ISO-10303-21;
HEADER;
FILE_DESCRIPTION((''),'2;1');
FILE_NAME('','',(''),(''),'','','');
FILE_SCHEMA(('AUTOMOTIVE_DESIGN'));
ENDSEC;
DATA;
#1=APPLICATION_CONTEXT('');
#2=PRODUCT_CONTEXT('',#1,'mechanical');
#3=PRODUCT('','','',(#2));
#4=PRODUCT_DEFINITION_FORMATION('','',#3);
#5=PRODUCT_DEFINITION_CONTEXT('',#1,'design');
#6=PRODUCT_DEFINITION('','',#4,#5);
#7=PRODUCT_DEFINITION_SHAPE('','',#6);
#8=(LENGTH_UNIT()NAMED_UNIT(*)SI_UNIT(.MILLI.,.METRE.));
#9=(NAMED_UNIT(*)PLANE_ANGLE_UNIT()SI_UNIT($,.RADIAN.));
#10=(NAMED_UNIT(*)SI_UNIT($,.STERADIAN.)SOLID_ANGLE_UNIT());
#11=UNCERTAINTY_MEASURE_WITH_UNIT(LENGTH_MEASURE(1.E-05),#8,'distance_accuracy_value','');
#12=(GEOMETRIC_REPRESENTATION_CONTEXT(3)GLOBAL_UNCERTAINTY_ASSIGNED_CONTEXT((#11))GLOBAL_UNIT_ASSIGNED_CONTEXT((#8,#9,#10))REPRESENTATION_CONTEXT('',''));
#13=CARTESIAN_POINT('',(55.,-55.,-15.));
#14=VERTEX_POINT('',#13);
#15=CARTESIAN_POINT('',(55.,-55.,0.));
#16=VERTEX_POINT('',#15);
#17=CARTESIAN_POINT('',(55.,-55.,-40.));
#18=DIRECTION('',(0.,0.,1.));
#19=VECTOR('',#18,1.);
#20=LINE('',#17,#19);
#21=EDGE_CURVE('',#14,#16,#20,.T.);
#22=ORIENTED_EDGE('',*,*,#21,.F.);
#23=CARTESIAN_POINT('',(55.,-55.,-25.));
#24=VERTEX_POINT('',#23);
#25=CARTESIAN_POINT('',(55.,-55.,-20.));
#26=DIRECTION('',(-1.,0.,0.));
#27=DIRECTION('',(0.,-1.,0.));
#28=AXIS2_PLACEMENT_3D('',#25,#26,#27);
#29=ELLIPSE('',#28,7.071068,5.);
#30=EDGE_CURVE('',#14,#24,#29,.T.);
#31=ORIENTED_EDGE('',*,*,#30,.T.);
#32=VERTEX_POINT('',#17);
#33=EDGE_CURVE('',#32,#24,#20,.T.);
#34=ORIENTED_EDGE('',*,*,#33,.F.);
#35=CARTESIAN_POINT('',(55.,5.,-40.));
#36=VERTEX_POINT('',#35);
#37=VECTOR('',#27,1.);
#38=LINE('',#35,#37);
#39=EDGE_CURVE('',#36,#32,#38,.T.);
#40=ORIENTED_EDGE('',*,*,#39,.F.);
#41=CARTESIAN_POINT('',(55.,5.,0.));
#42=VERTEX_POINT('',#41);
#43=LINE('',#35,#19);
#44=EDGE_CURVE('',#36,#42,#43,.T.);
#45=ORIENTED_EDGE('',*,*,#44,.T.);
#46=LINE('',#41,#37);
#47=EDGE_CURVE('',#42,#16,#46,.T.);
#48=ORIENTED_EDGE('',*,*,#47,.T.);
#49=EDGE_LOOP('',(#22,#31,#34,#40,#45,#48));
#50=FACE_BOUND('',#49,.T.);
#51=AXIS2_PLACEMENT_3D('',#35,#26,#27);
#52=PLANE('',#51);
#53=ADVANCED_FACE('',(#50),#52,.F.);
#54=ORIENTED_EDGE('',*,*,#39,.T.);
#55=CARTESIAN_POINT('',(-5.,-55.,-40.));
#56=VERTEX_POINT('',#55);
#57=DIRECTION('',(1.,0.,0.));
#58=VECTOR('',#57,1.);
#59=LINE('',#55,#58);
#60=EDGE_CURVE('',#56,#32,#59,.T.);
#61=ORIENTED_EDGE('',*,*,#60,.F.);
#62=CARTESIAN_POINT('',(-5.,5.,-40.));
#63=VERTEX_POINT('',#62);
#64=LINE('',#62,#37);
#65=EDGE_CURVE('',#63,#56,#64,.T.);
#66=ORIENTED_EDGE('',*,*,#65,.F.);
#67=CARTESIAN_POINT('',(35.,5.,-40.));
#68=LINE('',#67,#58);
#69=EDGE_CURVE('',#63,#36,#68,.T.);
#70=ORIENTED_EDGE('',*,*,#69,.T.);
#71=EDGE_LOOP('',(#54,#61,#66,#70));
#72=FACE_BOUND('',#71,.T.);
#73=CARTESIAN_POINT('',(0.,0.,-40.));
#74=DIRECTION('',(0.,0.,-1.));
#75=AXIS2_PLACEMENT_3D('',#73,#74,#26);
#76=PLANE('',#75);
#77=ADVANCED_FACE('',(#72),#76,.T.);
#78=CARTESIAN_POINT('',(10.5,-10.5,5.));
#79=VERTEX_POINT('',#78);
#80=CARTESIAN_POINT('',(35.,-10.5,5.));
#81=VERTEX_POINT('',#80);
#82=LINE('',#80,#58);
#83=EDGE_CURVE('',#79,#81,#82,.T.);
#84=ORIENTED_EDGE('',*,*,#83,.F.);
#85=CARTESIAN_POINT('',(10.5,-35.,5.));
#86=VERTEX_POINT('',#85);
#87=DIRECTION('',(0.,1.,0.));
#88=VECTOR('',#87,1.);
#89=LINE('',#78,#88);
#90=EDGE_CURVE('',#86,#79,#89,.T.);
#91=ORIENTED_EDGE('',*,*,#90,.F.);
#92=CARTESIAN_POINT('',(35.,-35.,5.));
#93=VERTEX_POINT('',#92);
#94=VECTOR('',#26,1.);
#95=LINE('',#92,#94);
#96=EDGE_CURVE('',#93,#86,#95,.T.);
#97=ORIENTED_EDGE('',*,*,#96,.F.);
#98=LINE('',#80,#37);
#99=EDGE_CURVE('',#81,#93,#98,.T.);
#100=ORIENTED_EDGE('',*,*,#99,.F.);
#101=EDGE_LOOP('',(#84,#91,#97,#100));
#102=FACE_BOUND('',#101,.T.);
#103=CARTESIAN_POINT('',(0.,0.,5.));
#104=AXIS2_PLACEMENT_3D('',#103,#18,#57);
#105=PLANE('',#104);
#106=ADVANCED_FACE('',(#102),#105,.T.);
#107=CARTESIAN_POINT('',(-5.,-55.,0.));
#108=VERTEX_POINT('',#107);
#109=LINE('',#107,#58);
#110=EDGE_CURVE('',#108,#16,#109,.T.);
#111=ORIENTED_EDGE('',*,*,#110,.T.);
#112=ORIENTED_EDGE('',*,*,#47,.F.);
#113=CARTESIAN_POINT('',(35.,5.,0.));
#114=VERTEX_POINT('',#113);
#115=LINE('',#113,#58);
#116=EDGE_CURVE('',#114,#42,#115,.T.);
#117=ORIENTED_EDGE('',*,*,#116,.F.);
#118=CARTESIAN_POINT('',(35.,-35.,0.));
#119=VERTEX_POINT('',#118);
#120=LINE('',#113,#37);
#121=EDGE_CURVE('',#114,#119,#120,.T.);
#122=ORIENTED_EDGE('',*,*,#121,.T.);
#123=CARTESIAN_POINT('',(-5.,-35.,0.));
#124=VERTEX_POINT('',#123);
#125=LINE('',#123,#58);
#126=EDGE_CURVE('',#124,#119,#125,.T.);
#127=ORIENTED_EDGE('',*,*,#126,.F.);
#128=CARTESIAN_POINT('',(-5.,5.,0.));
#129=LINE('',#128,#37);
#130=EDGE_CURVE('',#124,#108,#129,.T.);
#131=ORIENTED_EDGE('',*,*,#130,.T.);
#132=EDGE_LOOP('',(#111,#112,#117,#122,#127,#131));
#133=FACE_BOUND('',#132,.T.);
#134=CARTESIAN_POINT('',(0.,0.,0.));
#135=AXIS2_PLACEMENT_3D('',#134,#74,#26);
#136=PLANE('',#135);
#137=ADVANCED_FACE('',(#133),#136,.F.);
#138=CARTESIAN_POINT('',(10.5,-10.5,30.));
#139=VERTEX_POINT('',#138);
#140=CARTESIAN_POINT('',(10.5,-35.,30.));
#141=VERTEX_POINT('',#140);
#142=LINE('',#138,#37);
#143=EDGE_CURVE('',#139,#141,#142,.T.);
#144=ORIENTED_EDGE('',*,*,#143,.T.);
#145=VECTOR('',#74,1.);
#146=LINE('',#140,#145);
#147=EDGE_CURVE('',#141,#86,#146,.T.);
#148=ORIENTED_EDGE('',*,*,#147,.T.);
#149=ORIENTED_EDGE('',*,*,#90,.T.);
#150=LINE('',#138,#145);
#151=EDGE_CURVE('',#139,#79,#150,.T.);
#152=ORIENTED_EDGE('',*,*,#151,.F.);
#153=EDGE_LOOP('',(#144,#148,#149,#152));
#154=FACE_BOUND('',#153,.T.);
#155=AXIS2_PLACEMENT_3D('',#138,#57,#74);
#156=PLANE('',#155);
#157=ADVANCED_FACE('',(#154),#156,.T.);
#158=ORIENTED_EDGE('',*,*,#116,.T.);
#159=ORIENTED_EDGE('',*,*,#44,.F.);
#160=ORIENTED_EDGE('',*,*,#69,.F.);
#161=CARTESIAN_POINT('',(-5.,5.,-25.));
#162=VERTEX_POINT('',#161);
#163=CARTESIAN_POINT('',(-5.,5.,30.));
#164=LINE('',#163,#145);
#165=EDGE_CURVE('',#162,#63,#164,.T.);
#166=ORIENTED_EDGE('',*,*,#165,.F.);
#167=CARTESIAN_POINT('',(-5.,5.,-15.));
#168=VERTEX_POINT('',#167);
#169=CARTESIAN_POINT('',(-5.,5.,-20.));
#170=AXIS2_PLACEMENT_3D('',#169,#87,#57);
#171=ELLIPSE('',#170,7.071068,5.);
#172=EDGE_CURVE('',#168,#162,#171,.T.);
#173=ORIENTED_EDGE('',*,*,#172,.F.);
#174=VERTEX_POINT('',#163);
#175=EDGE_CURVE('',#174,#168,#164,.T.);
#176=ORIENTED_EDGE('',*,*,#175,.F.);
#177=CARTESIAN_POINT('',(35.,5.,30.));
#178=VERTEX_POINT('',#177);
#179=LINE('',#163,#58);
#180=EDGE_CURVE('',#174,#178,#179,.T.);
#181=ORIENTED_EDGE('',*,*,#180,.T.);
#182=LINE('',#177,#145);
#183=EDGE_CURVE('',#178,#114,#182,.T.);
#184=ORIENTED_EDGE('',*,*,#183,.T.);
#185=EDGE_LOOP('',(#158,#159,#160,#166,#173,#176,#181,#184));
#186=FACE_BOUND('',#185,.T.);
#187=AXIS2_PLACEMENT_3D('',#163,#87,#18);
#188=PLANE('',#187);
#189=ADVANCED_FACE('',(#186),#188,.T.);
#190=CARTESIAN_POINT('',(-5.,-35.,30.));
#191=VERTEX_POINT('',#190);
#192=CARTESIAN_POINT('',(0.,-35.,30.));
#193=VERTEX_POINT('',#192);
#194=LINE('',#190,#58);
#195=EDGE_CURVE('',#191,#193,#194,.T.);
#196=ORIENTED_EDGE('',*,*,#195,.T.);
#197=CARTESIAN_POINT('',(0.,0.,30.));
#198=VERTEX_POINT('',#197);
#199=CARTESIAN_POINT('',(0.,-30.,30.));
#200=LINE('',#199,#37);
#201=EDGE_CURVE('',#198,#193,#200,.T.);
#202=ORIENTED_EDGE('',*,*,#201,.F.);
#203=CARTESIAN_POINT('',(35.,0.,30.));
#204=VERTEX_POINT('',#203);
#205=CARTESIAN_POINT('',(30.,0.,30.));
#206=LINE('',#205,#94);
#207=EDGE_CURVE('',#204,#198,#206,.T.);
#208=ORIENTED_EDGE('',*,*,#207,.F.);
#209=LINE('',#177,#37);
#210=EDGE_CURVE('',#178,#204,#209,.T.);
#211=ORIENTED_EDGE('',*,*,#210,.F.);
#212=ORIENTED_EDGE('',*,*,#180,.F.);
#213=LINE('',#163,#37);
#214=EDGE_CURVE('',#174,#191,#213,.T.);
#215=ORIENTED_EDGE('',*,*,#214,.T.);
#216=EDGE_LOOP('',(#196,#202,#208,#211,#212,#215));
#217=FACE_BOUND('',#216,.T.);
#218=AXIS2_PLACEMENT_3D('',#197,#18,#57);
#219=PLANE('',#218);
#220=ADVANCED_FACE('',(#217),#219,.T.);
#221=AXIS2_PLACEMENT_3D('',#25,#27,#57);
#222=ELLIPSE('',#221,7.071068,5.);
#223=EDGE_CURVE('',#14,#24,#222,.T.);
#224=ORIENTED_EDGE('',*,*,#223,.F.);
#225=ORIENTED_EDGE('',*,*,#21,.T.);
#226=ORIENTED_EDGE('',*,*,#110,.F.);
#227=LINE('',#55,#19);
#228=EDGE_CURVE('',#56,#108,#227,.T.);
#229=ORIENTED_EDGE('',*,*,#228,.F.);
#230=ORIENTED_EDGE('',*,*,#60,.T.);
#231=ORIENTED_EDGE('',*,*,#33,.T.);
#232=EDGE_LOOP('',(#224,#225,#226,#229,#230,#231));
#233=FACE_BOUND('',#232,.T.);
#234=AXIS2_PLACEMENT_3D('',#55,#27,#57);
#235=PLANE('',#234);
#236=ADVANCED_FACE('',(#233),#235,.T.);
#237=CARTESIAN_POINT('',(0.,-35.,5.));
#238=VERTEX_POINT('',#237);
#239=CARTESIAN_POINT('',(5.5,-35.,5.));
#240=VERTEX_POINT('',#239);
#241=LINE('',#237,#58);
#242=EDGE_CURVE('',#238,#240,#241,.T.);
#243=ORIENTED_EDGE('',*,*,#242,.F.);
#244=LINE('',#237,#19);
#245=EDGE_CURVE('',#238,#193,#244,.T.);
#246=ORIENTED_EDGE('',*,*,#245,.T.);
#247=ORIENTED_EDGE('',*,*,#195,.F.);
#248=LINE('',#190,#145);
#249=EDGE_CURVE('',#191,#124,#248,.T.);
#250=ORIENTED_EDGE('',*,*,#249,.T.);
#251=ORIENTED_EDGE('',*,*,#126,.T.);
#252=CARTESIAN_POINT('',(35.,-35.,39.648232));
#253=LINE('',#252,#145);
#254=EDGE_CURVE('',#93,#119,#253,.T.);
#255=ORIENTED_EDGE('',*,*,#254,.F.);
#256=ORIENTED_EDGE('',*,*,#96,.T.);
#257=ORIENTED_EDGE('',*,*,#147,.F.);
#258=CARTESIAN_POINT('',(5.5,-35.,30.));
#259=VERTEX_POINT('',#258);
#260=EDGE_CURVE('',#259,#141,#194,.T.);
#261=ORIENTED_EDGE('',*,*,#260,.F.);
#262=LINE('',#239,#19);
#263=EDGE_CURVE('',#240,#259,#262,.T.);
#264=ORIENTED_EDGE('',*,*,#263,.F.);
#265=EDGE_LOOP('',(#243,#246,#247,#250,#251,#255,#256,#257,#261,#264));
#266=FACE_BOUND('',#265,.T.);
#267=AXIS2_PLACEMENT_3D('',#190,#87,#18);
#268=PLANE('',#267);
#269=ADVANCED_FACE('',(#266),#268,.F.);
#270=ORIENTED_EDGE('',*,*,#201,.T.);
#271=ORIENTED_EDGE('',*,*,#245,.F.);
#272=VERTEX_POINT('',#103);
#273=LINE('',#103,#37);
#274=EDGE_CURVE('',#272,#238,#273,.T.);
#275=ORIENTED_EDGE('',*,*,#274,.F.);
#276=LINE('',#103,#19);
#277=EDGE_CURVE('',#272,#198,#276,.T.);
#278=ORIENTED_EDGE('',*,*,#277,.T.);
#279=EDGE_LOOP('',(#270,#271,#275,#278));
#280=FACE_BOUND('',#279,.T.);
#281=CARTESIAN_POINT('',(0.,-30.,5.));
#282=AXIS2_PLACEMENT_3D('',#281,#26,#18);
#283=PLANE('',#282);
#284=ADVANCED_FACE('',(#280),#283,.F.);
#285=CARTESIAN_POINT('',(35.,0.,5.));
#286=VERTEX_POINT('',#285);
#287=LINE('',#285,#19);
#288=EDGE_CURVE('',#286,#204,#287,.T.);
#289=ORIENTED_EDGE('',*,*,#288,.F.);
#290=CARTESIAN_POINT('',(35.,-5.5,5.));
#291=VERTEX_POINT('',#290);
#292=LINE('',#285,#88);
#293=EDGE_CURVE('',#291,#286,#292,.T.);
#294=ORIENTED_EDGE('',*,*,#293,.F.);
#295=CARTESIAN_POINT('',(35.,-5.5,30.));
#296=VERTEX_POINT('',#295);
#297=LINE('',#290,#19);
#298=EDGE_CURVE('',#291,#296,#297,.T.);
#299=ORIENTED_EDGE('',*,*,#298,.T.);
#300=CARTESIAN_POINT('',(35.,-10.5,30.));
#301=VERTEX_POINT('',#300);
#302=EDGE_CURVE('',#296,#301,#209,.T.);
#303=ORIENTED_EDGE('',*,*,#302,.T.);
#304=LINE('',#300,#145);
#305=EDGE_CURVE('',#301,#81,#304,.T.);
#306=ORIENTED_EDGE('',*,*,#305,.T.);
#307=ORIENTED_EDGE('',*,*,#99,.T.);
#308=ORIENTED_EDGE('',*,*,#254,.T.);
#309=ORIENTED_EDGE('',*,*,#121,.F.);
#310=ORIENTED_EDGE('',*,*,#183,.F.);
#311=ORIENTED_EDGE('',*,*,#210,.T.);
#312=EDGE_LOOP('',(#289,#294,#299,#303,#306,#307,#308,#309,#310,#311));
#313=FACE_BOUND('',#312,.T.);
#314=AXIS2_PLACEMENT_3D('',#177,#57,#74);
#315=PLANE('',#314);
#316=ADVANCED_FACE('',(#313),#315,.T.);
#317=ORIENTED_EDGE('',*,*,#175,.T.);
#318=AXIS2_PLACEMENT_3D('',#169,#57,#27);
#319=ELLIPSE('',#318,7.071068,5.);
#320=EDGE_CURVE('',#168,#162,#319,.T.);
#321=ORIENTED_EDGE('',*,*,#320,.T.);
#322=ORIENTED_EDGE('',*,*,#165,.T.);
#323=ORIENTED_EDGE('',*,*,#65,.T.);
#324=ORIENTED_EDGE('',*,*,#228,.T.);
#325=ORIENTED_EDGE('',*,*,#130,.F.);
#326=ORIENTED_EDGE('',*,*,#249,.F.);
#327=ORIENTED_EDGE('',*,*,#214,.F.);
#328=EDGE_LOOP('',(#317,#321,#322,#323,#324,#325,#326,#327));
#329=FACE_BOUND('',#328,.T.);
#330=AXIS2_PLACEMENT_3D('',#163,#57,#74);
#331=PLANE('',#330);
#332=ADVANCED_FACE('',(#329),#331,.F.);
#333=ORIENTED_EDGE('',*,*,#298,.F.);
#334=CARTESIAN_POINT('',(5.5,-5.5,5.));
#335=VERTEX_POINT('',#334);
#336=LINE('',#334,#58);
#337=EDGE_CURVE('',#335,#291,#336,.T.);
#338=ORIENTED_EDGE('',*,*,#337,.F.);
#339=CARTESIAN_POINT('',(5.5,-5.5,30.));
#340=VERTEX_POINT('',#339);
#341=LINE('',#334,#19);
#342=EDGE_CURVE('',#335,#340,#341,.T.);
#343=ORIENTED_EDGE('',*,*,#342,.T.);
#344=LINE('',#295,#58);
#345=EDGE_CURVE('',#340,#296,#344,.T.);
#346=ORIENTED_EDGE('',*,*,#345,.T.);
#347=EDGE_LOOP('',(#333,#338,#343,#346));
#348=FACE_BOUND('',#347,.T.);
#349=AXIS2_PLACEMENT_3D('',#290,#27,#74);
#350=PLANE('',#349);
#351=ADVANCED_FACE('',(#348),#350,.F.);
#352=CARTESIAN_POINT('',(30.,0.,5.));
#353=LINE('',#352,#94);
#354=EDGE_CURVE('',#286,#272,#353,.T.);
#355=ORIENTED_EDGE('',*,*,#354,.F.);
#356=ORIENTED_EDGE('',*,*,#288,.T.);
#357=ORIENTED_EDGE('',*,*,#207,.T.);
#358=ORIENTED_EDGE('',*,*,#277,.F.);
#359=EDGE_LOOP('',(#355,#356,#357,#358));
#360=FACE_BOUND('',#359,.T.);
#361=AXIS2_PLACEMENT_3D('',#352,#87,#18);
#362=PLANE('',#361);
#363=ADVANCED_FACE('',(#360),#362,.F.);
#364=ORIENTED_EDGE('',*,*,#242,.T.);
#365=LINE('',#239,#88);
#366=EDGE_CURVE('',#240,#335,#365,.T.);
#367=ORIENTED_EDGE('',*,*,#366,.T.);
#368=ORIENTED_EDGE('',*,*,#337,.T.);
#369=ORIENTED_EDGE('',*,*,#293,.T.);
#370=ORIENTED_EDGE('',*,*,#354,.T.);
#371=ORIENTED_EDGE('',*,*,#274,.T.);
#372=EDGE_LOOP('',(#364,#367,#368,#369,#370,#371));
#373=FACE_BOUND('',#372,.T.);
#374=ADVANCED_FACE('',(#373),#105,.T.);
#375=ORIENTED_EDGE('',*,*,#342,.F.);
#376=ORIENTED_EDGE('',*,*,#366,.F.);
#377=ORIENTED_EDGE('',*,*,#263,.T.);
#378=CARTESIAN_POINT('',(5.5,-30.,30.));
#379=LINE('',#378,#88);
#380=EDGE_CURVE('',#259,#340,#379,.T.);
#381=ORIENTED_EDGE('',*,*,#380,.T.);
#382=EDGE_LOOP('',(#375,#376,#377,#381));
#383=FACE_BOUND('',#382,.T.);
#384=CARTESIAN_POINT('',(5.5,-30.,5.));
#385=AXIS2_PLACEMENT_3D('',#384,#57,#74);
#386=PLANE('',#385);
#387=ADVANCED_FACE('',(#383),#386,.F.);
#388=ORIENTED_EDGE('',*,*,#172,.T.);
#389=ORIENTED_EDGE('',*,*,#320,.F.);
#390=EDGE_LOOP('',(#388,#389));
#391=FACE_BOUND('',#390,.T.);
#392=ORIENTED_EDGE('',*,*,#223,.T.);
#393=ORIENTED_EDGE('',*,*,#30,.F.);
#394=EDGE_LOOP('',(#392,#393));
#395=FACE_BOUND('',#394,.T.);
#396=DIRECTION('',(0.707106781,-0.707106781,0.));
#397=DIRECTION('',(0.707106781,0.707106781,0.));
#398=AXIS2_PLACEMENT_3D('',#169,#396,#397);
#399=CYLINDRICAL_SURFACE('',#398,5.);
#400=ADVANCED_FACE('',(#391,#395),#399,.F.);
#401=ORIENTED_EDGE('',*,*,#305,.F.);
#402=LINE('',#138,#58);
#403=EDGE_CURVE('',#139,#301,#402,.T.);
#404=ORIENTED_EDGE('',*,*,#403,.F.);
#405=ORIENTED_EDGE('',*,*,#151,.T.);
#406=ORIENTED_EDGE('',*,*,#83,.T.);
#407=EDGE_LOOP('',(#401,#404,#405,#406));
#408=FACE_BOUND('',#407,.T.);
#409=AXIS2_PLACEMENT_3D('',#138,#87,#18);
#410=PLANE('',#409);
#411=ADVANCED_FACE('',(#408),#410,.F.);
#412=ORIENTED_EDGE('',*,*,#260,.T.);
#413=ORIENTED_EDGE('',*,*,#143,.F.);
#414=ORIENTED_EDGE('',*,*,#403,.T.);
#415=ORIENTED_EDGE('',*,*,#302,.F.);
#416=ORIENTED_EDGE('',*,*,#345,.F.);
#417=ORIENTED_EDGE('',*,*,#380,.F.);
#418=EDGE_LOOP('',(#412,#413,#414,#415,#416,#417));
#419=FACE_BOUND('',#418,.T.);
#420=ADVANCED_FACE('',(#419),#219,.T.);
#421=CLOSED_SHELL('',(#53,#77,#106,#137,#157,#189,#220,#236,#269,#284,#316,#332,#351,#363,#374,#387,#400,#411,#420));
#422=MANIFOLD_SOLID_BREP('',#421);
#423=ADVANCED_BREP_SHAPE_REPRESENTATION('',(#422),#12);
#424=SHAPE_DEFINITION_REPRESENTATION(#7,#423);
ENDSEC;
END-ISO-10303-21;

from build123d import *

# Parameters (mm, degrees)
SALIENTE_EXTRUIR1_DEPTH    = 30
CORTAR_EXTRUIR1_DEPTH      = 25
CROQUIS4_W                 = 24.5
CROQUIS4_H                 = 24.5
SALIENTE_EXTRUIR2_DEPTH    = 5
CROQUIS5_W                 = 40
CROQUIS5_H                 = 40
CROQUIS5_W_2               = 20
SALIENTE_EXTRUIR4_DEPTH    = 40
CORTAR_EXTRUIR5_DEPTH      = 59.309518948
CORTAR_EXTRUIR5_DEPTH_BACK = 59.309518948
CROQUIS9_R                 = 5


with BuildPart() as part:
    # Croquis1 → Saliente-Extruir1 (new body)
    with BuildSketch(Plane.XY):
        Polygon((-5, 5), (35, 5), (35, -10.5), (10.5, -10.5), (10.5, -35), (-5, -35), align=None)
    extrude(amount=SALIENTE_EXTRUIR1_DEPTH)

    # Croquis3 → Cortar-Extruir1 (cut)
    with BuildSketch(Plane.XY.offset(30)):
        Polygon((0, -30), (0, -35), (5.5, -35), (5.5, -30), (5.5, -5.5), (30, -5.5), (35, -5.5), (35, 0), (30, 0), (0, 0), align=None)
    extrude(amount=-CORTAR_EXTRUIR1_DEPTH, mode=Mode.SUBTRACT)

    # Croquis4 → Saliente-Extruir2 (add)
    with BuildSketch(Plane(origin=(0, 0, 0), x_dir=(-1, 0, 0), z_dir=(0, 0, -1))):
        with Locations((-22.75, -22.75)):
            Rectangle(CROQUIS4_W, CROQUIS4_H)
    extrude(amount=-SALIENTE_EXTRUIR2_DEPTH)

    # Croquis5 → Saliente-Extruir4 (add)
    with BuildSketch(Plane(origin=(0, 0, 0), x_dir=(-1, 0, 0), z_dir=(0, 0, -1))):
        with Locations((-15, -15)):
            Rectangle(CROQUIS5_W, CROQUIS5_H)
        with Locations((-45, -15)):
            Rectangle(CROQUIS5_W_2, CROQUIS5_H)
        Polygon((5, -55), (5, -35), (-35, -35), (-55, -35), (-55, -55), align=None)
    extrude(amount=SALIENTE_EXTRUIR4_DEPTH)

    # Croquis9 → Cortar-Extruir5 (cut, two sides: drawn at the far end of the back side and taken through both)
    with BuildSketch(Plane(origin=(25, -25, 0), x_dir=(0, 0, 1), z_dir=(0.7071067811865487, -0.7071067811865465, 0)).offset(-CORTAR_EXTRUIR5_DEPTH_BACK)):
        with Locations(Location((-20, 0, 0), (0, 0, 180))):
            Circle(CROQUIS9_R)
    extrude(amount=CORTAR_EXTRUIR5_DEPTH + CORTAR_EXTRUIR5_DEPTH_BACK, mode=Mode.SUBTRACT)


solid = part.part
